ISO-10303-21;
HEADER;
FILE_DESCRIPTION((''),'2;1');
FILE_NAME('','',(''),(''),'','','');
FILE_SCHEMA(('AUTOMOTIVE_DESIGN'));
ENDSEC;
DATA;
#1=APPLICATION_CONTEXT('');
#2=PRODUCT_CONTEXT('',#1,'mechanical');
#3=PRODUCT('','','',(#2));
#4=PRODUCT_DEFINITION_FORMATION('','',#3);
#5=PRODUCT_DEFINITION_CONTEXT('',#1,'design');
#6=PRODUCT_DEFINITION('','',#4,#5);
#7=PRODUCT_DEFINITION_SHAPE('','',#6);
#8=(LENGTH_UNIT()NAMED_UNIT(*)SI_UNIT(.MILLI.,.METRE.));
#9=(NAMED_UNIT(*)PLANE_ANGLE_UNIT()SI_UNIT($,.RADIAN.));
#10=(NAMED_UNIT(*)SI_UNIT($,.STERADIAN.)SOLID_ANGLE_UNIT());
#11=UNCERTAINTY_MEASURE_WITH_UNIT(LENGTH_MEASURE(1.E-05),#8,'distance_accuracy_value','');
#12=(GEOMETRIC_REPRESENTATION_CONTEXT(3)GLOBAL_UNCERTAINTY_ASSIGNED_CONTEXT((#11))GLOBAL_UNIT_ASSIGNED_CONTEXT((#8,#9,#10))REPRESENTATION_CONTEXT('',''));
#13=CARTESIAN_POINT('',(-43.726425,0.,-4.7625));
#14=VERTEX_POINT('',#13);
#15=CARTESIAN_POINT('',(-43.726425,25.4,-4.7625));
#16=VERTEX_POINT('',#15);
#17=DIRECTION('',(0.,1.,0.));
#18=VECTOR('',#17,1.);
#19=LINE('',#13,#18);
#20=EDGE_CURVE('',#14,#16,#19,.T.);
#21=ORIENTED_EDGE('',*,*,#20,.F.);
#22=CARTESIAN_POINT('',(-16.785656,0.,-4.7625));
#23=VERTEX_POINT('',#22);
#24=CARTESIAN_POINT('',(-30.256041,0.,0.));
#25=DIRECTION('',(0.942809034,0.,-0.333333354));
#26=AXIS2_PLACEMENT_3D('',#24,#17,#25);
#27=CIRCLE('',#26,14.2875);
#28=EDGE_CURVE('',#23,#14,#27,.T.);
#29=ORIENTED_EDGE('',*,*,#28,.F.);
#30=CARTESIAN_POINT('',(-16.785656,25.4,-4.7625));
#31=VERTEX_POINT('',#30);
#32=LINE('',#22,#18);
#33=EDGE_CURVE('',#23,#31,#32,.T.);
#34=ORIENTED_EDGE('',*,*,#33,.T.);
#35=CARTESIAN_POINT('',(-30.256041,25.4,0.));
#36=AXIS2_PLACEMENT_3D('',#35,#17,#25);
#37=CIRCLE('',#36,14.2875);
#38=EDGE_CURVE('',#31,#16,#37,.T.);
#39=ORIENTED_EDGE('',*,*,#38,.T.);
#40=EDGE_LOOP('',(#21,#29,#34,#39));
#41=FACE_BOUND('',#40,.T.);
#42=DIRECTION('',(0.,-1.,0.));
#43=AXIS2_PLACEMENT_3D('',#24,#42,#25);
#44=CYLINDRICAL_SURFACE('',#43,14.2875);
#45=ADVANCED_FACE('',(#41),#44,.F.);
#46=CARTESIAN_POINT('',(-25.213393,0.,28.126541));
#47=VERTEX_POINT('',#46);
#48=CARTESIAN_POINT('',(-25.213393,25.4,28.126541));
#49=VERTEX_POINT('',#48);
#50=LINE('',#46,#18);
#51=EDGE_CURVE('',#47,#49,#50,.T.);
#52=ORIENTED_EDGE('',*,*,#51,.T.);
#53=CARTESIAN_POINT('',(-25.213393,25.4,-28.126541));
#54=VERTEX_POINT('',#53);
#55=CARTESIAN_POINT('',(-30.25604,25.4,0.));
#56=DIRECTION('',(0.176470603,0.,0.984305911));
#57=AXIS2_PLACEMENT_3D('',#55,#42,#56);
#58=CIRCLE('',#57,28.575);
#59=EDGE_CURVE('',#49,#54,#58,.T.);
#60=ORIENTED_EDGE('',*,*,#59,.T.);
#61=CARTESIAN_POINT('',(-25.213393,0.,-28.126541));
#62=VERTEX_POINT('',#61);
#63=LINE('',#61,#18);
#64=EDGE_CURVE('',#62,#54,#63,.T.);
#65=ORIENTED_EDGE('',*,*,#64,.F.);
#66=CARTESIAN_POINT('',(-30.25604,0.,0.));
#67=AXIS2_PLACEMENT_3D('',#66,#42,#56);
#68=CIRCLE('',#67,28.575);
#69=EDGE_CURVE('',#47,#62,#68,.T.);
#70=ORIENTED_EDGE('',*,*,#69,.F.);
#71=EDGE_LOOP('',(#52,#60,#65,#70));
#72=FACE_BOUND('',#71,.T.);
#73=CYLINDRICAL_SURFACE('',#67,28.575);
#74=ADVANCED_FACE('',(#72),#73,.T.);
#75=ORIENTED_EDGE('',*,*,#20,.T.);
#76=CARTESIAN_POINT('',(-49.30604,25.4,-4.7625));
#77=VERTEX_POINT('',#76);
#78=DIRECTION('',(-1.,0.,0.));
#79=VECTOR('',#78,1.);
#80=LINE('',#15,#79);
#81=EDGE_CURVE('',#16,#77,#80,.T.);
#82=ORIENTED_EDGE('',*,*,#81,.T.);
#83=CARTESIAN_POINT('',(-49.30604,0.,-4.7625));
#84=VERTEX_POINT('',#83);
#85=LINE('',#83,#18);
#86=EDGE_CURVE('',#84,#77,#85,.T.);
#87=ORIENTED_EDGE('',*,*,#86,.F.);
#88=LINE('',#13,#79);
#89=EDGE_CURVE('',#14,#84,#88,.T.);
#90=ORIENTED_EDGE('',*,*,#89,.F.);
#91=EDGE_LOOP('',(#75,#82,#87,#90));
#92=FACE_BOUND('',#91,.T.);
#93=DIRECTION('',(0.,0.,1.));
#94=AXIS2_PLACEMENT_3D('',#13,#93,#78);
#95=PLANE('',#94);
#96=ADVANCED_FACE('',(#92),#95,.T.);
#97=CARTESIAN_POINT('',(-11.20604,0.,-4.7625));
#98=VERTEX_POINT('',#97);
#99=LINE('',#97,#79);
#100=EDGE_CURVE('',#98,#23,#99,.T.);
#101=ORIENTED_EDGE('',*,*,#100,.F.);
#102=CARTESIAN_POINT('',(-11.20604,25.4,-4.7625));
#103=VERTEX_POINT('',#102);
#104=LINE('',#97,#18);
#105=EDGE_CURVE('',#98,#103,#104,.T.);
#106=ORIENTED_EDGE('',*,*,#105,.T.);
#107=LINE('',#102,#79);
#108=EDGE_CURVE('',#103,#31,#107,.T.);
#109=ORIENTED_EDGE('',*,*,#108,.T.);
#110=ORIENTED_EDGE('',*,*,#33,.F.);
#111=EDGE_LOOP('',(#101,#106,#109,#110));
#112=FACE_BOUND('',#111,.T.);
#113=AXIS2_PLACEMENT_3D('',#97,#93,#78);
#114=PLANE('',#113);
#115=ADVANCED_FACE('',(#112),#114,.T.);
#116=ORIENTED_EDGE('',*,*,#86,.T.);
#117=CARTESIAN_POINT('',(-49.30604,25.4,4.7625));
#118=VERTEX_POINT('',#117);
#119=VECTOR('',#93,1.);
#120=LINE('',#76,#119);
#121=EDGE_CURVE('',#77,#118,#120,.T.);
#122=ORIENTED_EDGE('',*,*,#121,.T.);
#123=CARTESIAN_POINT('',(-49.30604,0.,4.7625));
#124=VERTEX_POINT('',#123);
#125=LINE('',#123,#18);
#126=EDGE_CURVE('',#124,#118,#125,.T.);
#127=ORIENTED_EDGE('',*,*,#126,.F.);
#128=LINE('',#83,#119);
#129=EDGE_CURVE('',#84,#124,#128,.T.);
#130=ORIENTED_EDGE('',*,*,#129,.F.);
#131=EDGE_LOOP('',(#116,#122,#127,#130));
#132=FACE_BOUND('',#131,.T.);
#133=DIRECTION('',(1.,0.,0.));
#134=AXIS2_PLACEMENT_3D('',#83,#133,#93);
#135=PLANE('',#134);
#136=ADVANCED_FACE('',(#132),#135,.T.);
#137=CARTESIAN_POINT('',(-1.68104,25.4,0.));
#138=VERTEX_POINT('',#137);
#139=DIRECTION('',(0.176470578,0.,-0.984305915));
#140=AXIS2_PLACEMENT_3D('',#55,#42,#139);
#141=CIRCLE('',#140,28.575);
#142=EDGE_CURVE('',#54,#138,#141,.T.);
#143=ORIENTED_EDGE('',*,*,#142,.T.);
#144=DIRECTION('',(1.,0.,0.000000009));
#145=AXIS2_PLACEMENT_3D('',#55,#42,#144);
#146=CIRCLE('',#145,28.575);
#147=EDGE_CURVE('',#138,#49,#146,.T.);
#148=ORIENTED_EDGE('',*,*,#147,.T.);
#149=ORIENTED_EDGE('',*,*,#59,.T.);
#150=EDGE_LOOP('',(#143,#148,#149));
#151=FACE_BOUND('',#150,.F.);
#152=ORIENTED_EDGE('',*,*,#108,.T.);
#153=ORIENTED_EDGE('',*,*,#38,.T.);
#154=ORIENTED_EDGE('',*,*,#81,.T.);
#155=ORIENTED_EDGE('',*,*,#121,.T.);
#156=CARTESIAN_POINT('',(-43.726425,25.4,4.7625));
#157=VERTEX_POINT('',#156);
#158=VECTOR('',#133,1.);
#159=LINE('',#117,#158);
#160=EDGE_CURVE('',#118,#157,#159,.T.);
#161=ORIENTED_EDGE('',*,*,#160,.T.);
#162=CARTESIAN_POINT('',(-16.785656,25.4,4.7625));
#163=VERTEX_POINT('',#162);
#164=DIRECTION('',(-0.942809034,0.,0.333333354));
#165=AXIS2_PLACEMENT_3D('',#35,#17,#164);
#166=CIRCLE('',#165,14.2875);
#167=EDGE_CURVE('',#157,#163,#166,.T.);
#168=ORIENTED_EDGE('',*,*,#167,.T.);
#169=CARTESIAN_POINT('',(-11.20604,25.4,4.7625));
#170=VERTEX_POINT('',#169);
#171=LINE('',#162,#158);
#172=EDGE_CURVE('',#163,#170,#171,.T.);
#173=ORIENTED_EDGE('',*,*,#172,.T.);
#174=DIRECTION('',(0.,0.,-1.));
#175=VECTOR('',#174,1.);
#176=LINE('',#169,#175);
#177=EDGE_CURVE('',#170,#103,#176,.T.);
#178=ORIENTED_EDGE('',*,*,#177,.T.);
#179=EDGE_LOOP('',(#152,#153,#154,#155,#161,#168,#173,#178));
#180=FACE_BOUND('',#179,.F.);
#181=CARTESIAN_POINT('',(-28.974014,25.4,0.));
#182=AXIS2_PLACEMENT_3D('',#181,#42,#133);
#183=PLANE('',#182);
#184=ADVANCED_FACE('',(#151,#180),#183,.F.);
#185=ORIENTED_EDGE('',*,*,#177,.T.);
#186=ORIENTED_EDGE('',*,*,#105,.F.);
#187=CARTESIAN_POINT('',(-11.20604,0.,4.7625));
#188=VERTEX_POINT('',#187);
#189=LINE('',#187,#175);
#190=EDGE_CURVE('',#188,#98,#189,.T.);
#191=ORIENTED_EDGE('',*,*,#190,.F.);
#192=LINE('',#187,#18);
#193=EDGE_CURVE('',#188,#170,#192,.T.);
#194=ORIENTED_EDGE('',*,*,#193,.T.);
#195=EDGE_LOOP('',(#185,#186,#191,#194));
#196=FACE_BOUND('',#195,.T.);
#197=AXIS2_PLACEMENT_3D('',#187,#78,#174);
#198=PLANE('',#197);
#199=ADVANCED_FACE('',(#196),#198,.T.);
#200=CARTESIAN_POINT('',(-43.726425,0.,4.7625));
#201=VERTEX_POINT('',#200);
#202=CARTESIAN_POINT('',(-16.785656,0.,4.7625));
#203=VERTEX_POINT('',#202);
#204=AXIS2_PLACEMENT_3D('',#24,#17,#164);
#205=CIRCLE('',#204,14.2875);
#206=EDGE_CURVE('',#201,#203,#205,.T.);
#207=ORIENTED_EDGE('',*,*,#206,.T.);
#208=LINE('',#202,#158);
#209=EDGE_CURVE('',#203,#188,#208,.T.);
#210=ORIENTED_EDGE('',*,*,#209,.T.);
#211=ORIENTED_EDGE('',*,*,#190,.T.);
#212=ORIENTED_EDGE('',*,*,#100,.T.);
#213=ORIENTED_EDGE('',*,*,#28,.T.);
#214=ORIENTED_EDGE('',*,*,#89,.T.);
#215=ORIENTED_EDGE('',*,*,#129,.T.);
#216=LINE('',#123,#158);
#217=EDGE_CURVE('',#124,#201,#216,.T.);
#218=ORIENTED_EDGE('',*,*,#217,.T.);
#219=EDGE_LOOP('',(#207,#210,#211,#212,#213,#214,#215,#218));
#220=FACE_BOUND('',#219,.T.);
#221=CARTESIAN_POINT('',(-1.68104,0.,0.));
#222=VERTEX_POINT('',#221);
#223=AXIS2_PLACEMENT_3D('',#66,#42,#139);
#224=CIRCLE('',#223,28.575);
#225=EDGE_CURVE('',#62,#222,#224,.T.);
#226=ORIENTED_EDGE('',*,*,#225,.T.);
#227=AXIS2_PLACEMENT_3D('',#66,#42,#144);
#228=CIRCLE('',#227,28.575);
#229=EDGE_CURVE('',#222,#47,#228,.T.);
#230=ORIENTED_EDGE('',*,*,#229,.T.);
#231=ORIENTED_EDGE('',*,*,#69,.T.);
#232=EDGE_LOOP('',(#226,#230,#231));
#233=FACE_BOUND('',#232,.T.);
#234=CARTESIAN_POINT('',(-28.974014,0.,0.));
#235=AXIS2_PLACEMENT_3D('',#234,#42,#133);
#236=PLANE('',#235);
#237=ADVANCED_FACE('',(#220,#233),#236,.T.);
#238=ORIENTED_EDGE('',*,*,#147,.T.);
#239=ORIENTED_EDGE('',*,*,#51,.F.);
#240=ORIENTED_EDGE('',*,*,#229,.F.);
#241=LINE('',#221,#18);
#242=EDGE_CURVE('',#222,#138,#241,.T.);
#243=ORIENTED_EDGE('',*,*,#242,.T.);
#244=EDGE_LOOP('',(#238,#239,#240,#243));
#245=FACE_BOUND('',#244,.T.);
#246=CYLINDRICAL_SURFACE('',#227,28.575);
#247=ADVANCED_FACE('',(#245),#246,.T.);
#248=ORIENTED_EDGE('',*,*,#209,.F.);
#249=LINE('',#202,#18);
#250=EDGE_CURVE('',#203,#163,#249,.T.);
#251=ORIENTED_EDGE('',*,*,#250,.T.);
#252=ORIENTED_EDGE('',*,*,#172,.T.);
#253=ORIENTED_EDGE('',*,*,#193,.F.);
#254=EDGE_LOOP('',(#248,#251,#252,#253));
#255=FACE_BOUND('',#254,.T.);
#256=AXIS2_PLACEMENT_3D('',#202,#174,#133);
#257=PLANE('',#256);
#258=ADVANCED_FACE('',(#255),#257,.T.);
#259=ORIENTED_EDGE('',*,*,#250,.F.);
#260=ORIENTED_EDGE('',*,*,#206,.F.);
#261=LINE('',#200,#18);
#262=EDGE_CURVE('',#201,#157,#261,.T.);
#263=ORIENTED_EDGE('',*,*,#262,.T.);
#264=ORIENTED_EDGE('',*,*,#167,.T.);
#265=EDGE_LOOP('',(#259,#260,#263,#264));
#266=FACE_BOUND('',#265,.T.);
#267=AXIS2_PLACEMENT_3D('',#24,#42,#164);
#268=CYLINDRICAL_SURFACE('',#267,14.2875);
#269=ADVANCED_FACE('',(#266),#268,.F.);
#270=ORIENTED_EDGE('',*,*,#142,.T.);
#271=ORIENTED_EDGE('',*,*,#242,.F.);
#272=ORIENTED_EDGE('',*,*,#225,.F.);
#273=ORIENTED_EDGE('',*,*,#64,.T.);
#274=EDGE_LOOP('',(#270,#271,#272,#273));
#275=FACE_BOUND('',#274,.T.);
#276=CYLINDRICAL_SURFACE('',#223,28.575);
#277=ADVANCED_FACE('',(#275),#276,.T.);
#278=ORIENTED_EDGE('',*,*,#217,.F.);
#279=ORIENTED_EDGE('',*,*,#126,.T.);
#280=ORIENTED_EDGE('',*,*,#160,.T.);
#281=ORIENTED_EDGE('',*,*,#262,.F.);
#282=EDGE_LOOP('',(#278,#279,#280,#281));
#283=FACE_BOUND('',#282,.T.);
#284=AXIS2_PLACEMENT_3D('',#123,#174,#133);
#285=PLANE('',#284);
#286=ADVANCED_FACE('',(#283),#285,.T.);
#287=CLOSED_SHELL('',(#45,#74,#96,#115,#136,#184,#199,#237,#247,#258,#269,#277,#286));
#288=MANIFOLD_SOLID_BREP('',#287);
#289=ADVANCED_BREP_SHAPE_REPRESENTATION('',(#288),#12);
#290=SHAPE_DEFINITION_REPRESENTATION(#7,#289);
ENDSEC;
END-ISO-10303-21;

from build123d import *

# Parameters (mm, degrees)
F1_DEPTH = 25.4


with BuildPart() as f1:
    # F0 (on Front) → F1 (new body)
    with BuildSketch(Plane.XZ):
        with BuildLine():
            ThreePointArc((-25.213393, -28.126541), (-8.340016, -18.336262), (-1.68104, 0))
            ThreePointArc((-1.68104, 0), (-8.340016, 18.336262), (-25.213393, 28.126541))
            ThreePointArc((-25.213393, 28.126541), (-58.83104, 0), (-25.213393, -28.126541))
        make_face()
        with BuildLine():
            ThreePointArc((-43.726425, 4.7625), (-30.25604, 14.2875), (-16.785656, 4.7625))
            Line((-16.785656, 4.7625), (-11.20604, 4.7625))
            Line((-11.20604, 4.7625), (-11.20604, -4.7625))
            Line((-11.20604, -4.7625), (-16.785656, -4.7625))
            ThreePointArc((-16.785656, -4.7625), (-30.25604, -14.2875), (-43.726425, -4.7625))
            Line((-43.726425, -4.7625), (-49.30604, -4.7625))
            Line((-49.30604, -4.7625), (-49.30604, 4.7625))
            Line((-49.30604, 4.7625), (-43.726425, 4.7625))
        make_face(mode=Mode.SUBTRACT)
    extrude(amount=-F1_DEPTH)


solid = f1.part
